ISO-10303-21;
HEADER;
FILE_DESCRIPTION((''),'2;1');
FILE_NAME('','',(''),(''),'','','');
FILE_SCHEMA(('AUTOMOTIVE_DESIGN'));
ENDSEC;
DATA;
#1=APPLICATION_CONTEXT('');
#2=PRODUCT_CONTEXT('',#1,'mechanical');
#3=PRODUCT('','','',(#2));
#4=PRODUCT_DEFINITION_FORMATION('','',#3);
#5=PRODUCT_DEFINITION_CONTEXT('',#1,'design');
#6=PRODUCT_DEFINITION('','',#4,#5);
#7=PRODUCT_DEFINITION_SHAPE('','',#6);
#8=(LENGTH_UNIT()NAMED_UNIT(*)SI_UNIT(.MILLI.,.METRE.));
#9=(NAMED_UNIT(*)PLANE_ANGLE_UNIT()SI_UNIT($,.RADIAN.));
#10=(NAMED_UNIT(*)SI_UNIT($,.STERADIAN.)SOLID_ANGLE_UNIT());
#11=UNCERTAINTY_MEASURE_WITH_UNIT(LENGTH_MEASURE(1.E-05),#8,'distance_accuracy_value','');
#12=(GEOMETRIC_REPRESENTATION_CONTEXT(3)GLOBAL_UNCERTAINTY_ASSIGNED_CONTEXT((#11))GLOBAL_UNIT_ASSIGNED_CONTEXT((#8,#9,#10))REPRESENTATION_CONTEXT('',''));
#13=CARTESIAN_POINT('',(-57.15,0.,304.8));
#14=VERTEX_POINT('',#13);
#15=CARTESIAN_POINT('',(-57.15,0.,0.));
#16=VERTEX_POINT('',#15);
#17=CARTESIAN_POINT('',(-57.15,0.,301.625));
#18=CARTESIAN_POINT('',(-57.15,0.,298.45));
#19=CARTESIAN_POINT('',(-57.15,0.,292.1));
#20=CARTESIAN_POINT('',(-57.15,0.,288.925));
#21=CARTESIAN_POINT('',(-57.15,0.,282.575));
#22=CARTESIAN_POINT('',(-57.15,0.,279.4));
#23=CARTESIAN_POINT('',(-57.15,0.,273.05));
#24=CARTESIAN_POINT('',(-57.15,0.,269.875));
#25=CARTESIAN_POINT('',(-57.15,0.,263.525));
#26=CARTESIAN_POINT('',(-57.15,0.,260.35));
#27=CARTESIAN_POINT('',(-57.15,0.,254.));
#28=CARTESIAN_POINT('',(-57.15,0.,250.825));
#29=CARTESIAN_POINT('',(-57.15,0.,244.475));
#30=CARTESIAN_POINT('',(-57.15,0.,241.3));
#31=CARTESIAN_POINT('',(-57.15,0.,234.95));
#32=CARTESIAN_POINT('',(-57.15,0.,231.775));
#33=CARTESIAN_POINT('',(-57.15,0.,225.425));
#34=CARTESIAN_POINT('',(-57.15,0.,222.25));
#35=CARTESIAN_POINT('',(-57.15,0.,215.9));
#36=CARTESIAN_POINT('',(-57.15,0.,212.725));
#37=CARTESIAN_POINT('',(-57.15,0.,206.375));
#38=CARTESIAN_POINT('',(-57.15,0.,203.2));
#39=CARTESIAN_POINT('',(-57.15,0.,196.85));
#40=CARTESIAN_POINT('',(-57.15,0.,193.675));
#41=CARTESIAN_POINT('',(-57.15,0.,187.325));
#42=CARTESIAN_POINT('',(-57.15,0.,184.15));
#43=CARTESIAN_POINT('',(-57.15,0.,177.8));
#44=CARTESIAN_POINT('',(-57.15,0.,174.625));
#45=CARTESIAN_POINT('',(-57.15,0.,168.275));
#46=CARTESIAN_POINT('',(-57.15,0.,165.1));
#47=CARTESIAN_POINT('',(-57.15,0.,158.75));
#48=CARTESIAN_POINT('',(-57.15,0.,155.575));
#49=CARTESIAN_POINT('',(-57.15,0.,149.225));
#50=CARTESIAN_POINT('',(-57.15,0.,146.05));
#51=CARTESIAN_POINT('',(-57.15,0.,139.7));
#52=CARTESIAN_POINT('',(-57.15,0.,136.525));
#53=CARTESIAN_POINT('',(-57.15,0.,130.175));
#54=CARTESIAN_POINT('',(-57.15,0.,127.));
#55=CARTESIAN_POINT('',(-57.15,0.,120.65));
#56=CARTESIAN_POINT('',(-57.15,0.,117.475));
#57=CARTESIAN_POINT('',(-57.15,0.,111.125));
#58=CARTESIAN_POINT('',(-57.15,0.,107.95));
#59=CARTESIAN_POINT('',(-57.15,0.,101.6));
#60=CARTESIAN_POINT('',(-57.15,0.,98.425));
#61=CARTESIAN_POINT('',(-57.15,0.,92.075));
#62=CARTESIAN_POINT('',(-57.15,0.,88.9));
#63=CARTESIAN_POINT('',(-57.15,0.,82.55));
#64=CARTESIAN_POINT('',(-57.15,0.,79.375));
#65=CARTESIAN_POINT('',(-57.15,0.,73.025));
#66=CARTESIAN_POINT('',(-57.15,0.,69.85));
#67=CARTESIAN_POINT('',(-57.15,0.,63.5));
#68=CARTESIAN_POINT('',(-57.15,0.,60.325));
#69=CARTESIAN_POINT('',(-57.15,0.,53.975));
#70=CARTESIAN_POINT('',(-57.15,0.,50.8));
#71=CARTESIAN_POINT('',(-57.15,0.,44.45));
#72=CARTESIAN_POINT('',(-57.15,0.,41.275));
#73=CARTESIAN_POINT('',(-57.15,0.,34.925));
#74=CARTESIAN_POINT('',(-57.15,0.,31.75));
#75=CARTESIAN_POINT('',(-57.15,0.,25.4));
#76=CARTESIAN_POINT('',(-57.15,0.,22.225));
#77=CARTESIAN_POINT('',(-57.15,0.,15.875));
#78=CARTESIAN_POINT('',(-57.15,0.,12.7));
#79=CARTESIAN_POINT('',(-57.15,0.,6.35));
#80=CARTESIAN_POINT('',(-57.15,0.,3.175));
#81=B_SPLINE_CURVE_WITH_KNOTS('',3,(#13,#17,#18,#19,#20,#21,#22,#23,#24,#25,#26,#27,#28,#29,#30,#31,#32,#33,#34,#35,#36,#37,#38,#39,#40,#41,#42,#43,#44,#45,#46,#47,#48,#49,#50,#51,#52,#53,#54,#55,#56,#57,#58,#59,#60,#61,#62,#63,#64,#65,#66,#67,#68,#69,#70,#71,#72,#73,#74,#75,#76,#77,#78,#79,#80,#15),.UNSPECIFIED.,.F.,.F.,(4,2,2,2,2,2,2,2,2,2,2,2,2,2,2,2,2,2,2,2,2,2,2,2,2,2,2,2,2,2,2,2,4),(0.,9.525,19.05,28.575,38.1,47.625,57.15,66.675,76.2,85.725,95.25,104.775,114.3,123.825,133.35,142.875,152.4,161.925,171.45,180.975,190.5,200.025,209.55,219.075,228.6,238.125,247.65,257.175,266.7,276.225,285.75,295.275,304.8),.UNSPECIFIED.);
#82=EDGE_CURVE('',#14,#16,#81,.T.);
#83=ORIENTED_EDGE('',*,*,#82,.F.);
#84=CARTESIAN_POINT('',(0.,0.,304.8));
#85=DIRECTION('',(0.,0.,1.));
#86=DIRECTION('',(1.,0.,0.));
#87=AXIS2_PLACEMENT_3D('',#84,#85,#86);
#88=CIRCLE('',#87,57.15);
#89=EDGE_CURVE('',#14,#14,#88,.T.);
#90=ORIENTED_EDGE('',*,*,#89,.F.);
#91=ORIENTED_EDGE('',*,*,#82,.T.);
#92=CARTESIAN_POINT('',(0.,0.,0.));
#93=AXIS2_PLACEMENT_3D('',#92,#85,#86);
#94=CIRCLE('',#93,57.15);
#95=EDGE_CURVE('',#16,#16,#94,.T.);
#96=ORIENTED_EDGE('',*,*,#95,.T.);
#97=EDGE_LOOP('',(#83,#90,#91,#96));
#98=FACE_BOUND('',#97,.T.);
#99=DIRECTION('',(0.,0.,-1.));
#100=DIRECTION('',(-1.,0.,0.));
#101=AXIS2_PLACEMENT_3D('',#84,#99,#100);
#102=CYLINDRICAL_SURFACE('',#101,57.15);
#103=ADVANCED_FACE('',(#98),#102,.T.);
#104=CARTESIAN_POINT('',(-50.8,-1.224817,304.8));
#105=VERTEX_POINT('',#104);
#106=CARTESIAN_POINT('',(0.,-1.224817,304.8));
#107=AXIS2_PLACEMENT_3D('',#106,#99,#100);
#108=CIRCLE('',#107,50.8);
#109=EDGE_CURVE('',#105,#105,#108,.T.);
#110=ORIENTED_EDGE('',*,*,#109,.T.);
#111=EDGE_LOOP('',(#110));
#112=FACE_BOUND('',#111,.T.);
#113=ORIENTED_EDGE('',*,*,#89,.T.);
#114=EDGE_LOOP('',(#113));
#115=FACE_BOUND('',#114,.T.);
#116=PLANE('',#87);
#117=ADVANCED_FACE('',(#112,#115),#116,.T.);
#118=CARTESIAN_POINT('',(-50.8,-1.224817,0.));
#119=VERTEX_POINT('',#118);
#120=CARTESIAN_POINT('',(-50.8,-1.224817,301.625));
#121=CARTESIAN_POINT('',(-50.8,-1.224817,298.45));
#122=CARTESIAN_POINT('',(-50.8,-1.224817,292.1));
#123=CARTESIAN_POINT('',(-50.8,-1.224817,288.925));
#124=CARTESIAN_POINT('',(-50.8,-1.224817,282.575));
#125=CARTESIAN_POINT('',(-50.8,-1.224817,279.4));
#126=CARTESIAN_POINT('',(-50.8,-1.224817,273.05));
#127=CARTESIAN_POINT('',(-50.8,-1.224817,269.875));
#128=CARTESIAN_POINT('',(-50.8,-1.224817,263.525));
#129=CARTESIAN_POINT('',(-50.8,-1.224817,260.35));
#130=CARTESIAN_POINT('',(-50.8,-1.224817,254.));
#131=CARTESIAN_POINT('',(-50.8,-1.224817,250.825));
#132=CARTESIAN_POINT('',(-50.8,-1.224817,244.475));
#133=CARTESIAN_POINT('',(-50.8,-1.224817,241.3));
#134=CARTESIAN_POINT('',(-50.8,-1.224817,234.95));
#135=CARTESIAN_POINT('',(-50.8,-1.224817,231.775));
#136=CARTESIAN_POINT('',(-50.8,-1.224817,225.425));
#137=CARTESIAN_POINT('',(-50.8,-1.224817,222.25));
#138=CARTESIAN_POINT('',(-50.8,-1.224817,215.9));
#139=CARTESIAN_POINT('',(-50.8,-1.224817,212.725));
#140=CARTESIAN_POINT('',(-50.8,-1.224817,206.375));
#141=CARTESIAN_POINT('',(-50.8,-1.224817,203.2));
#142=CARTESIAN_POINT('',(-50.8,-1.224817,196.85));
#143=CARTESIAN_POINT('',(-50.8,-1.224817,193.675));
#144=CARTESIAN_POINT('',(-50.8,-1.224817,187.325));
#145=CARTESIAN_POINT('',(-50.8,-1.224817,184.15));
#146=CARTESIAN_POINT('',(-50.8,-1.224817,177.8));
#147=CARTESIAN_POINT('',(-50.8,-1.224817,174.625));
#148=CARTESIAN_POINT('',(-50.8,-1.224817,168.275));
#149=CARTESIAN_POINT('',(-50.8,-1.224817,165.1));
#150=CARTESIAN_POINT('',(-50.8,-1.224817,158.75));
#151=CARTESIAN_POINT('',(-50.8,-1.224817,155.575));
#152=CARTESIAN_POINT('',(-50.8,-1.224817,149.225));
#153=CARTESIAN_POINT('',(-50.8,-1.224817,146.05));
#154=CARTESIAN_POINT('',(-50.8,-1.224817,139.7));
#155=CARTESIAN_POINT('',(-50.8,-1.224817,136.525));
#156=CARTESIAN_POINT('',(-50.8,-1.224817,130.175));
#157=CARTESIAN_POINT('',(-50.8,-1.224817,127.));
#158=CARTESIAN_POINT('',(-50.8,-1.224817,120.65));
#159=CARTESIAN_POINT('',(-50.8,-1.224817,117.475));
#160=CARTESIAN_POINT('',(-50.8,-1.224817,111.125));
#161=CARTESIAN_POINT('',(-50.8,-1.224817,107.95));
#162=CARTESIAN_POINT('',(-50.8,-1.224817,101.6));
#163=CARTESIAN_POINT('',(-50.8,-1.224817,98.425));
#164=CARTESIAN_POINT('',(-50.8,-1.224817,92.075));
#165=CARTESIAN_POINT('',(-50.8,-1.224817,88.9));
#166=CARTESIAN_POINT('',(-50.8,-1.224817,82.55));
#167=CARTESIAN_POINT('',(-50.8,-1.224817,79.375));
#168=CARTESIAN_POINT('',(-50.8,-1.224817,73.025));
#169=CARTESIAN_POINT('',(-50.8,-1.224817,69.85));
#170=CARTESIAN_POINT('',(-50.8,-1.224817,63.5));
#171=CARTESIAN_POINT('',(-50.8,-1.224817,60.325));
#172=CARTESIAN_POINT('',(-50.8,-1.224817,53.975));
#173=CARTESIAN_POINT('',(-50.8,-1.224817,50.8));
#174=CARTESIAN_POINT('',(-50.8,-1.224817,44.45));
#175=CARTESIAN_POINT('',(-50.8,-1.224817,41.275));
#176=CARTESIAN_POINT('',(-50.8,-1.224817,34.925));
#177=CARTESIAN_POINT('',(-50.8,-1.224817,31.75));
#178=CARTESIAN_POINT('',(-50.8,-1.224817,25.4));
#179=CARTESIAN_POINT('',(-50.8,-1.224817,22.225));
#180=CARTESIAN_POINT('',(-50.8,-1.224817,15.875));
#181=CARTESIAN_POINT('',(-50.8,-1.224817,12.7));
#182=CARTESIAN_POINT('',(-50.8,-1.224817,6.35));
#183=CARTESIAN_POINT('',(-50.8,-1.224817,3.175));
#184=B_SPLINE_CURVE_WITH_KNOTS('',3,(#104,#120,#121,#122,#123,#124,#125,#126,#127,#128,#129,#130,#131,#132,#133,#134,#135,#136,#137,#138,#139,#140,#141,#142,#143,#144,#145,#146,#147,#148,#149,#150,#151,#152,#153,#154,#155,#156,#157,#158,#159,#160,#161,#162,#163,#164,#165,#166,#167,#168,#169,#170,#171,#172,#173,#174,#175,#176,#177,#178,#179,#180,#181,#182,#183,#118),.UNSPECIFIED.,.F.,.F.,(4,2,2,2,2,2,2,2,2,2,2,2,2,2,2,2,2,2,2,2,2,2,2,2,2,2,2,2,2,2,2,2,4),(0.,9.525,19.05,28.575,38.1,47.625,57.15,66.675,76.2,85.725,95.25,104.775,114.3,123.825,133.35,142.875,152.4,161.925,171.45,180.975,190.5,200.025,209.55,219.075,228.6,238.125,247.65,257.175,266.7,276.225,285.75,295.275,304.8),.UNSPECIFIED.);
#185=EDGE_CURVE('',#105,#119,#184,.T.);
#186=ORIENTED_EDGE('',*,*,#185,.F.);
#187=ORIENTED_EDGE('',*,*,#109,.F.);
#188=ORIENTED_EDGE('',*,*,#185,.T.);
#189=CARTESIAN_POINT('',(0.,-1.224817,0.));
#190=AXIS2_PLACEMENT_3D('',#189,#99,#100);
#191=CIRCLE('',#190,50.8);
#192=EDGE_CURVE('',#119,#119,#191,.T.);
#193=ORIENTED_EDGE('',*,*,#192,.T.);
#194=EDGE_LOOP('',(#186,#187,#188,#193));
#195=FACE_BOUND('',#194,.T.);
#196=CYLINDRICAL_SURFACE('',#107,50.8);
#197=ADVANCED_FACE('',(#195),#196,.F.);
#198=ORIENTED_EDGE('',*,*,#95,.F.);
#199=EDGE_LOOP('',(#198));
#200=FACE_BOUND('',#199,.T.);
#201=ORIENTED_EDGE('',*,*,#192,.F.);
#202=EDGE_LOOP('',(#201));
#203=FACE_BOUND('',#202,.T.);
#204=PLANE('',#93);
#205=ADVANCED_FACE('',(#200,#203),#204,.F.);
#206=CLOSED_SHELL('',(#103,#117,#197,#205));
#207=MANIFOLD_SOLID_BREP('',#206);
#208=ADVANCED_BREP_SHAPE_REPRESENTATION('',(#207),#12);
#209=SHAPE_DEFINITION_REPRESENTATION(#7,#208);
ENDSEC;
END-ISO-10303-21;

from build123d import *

# Parameters (mm, degrees)
SKETCH5_R               = 57.15
BOSS_EXTRUDE5_DEPTH     = 304.8
CUT_EXTRUDE5_DEPTH      = 316.333609056
CUT_EXTRUDE5_DEPTH_BACK = 316.333609056
SKETCH7_R               = 50.8


with BuildPart() as part:
    # Sketch5 → Boss-Extrude5 (new body)
    with BuildSketch(Plane.XY):
        with Locations(Location((0, 0, 0), (0, 0, 180))):
            Circle(SKETCH5_R)
    extrude(amount=BOSS_EXTRUDE5_DEPTH)

    # Sketch7 → Cut-Extrude5 (cut, two sides: drawn at the far end of the back side and taken through both)
    with BuildSketch(Plane(origin=(0, 0, 0), x_dir=(-1, 0, 0), z_dir=(0, 0, -1)).offset(-CUT_EXTRUDE5_DEPTH_BACK)):
        with Locations((0, -1.224817028)):
            Circle(SKETCH7_R)
    extrude(amount=CUT_EXTRUDE5_DEPTH + CUT_EXTRUDE5_DEPTH_BACK, mode=Mode.SUBTRACT)


solid = part.part
